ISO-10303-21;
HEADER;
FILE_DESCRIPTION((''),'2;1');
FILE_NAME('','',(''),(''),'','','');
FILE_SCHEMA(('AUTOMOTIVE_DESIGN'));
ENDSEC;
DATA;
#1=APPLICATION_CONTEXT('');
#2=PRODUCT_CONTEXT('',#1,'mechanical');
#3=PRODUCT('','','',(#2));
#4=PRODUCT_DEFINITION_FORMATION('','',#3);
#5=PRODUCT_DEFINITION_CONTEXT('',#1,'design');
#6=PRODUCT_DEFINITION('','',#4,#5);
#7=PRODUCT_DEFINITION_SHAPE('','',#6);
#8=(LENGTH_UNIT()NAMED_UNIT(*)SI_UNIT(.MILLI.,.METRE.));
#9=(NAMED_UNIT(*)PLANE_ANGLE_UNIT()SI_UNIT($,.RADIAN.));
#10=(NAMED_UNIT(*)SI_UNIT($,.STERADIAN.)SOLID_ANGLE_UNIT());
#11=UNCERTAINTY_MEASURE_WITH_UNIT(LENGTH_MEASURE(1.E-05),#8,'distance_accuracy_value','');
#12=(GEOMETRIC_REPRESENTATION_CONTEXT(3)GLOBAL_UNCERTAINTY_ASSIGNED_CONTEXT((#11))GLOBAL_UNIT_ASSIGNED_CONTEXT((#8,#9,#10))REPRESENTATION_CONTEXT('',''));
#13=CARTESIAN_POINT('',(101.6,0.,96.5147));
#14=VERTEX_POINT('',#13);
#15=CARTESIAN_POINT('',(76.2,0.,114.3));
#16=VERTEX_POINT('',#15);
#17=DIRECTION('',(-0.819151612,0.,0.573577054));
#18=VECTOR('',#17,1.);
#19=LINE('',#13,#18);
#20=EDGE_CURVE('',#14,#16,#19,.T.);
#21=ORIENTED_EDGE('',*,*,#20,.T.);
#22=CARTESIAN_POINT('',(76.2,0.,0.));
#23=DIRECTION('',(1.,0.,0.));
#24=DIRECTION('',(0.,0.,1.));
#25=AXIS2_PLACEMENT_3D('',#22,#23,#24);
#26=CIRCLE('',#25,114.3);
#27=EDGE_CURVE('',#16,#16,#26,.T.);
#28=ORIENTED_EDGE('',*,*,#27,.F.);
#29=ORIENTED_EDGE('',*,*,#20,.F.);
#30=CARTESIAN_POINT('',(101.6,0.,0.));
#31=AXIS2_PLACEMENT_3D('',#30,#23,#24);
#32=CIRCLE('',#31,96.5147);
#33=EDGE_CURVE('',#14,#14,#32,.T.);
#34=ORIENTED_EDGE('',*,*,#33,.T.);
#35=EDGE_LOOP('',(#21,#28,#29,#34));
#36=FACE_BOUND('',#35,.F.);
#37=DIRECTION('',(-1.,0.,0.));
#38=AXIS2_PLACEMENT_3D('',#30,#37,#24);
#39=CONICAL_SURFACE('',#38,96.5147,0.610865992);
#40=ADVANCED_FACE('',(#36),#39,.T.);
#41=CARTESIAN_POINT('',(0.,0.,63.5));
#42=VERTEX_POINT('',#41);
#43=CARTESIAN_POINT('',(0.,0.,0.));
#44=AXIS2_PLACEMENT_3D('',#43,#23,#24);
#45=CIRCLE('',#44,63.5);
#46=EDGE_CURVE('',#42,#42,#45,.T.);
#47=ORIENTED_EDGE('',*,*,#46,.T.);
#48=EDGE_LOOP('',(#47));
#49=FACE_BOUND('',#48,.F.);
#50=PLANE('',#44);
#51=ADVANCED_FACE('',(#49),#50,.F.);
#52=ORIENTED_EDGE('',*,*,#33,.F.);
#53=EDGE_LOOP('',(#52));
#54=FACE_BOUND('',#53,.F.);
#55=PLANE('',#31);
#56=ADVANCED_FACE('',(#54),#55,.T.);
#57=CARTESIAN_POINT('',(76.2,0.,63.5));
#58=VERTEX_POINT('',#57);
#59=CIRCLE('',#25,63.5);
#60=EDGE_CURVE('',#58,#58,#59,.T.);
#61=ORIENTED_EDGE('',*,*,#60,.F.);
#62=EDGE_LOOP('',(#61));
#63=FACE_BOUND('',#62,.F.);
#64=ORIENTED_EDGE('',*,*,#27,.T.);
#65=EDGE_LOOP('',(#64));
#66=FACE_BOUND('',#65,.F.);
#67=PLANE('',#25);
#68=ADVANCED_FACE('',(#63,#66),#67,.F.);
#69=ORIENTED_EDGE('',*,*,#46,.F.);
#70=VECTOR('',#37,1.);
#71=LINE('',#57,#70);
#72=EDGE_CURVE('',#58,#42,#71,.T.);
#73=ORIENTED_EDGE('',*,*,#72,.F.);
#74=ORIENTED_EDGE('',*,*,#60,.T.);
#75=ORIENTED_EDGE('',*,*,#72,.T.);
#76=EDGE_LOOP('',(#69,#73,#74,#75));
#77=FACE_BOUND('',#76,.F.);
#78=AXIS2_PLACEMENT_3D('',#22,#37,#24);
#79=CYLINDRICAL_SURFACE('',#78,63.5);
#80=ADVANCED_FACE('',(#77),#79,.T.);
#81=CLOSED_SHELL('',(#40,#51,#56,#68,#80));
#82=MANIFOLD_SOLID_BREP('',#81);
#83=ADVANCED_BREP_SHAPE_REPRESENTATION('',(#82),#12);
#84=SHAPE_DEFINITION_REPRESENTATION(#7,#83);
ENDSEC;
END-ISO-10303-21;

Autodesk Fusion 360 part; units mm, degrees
sketch "Sketch1" plane through (0, 0, 0) normal (0, 1, 0) x (1, 0, 0)
  line L0 (0, 0) -> (101.6, 0)
  line L1 (101.6, 0) -> (101.6, -96.5147)
  line L2 (101.6, -96.5147) -> (76.2, -114.3)
  line L3 (76.2, -114.3) -> (76.2, -63.5)
  line L4 (76.2, -63.5) -> (0, -63.5)
  line L5 (0, -63.5) -> (0, 0)
  dimension "d1" = 101.6
  dimension "d2" = 76.2
  dimension "d3" = 55
  dimension "d4" = 127
  dimension "d5" = 228.6
revolve "Revolve1" add sketch "Sketch1" angle 360 about axis through (0, 0, 0) along (1, 0, 0)
